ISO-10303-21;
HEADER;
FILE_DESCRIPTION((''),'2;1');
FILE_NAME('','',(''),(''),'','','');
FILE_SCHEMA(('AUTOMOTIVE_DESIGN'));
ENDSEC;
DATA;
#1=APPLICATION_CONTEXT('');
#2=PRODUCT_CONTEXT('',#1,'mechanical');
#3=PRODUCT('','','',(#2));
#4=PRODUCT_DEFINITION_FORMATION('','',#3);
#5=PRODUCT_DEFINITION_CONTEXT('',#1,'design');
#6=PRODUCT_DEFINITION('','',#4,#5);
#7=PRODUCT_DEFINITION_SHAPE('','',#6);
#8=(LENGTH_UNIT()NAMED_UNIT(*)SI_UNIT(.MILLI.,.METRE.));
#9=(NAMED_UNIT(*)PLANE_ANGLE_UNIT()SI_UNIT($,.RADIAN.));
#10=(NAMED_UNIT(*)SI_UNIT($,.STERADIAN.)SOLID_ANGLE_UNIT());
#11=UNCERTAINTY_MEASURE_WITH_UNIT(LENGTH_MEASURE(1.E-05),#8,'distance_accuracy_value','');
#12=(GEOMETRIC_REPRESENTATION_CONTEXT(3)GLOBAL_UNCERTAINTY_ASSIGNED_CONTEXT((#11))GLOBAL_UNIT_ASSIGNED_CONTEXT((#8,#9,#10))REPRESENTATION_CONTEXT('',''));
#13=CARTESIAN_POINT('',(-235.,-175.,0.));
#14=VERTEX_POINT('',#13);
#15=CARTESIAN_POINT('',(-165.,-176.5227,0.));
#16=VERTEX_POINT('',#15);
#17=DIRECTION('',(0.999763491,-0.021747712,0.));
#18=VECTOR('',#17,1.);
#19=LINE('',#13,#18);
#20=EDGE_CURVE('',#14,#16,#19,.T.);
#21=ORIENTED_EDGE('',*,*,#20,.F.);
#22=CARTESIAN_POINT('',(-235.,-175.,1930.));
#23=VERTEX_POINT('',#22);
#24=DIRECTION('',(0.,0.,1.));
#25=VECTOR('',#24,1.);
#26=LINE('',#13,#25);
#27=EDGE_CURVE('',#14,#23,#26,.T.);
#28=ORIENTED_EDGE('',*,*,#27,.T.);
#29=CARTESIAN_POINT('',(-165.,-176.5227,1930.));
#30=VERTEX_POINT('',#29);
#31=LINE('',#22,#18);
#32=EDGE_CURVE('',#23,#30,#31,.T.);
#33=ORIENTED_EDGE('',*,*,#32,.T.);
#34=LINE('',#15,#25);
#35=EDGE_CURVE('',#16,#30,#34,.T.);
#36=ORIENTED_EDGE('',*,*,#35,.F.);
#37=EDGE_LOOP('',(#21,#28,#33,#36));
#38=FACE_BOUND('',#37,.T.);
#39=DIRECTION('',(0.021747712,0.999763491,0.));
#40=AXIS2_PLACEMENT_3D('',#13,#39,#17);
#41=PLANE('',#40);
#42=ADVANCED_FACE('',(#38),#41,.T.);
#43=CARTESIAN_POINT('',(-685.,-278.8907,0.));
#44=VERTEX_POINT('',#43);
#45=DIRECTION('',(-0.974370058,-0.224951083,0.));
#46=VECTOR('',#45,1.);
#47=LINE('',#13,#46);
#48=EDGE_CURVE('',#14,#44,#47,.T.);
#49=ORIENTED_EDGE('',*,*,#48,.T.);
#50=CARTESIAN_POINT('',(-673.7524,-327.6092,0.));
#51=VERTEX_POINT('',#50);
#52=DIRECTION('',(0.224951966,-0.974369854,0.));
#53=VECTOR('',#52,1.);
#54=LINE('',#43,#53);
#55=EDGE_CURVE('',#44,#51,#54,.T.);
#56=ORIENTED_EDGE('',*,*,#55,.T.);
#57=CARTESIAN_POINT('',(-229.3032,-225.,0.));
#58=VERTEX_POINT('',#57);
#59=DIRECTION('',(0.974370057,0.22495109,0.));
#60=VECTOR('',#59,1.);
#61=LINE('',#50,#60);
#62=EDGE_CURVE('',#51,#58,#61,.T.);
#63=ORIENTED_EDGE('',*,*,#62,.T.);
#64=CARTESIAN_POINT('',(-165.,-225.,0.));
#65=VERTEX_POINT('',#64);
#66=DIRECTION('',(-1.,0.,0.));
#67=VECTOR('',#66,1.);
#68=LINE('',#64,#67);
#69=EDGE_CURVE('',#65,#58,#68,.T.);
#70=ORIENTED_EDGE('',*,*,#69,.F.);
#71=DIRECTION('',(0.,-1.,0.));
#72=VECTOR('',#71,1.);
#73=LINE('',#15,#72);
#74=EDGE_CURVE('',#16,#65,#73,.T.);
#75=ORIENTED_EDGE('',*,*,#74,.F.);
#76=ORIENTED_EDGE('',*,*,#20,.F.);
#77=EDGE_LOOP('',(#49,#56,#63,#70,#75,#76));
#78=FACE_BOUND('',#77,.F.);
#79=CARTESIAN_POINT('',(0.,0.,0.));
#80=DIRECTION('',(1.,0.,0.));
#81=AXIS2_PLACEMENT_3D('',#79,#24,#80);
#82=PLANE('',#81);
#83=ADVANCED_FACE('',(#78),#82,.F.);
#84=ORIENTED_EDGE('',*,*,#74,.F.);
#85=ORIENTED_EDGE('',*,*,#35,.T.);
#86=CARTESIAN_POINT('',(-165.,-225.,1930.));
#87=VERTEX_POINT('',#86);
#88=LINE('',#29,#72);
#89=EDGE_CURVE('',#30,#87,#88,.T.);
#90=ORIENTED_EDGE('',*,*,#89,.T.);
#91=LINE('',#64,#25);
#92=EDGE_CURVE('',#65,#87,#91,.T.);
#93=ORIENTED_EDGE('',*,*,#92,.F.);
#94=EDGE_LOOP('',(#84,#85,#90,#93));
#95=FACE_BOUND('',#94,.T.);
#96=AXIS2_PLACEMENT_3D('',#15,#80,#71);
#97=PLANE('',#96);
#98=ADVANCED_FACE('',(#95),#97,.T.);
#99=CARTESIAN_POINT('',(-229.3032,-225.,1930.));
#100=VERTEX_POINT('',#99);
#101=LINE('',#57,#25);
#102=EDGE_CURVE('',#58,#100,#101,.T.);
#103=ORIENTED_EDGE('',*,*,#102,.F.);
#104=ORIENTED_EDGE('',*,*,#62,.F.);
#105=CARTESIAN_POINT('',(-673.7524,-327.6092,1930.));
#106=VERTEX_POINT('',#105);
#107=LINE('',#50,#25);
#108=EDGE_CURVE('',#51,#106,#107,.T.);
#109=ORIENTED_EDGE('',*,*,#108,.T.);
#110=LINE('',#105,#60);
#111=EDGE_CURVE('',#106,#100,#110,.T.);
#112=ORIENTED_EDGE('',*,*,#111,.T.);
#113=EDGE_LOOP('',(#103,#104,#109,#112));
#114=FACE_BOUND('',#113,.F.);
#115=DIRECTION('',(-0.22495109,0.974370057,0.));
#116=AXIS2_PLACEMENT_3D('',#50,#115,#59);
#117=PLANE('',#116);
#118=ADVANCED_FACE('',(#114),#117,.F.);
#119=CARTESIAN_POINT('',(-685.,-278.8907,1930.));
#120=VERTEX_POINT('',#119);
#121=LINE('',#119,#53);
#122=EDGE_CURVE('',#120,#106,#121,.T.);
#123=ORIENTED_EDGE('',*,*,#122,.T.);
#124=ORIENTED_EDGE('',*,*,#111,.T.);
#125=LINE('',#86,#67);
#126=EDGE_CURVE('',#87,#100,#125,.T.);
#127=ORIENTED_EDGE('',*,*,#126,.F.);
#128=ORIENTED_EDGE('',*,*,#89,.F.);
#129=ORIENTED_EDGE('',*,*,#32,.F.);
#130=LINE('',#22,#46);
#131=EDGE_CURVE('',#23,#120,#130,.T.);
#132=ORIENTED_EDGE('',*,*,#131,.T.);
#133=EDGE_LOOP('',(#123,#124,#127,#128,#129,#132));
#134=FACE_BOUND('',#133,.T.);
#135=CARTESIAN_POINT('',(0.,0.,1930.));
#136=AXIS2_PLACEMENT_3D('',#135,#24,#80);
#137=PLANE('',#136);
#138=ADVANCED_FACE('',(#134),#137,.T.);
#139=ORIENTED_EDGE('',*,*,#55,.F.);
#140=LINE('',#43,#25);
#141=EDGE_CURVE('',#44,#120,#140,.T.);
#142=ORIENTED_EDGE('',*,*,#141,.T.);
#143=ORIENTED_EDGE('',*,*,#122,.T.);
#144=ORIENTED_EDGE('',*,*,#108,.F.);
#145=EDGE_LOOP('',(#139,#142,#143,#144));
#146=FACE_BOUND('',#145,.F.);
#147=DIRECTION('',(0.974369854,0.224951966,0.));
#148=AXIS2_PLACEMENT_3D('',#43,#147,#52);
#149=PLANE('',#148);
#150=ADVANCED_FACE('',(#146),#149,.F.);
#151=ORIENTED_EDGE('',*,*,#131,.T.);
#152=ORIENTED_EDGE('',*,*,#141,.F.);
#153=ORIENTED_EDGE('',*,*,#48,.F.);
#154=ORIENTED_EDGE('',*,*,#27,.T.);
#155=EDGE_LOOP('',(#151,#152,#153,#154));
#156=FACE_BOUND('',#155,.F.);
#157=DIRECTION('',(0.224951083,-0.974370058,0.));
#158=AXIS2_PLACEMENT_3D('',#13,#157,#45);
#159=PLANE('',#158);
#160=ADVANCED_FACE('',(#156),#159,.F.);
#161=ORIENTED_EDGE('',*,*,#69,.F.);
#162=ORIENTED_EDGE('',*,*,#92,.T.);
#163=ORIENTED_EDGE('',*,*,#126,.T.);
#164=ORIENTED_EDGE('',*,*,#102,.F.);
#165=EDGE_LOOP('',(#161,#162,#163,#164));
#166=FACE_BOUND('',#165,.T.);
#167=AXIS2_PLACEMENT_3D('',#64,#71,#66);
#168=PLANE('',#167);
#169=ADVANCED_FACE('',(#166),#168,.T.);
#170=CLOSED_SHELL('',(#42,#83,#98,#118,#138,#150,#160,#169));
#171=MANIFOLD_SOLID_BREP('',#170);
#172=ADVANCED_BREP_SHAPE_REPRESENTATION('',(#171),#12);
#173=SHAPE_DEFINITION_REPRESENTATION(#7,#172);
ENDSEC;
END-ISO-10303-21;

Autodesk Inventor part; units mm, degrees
ref_plane "YZ Plane" through (0, 0, 0) normal (1, 0, 0) x (0, 1, 0)
ref_plane "XZ Plane" through (0, 0, 0) normal (0, 1, 0) x (-1, 0, 0)
ref_plane "XY Plane" through (0, 0, 0) normal (0, 0, 1) x (1, 0, 0)
ref_plane "Work Plane1" through (0, 0, 0) normal (0, 0, 1) x (1, 0, 0)
sketch "Sketch1" plane through (0, 0, 0) normal (0, 0, 1) x (1, 0, 0)
  line L0 (-235, -175) -> (-685, -278.8907) projected
  line L1 (-685, -278.8907) -> (-673.7524, -327.6092) projected
  line L2 (-673.7524, -327.6092) -> (-229.3032, -225) projected
  line L3 (-165, -225) -> (-229.3032, -225) projected
  line L4 (-165, -176.5227) -> (-165, -225) projected
  line L5 (165, 54.5458) -> (-165, -176.5227) projected
  line L6 (165, -190) -> (165, 54.5458) projected
  line L7 (235, -190) -> (165, -190) projected
  line L8 (235, 190) -> (235, -190) projected
  line L9 (165, 190) -> (235, 190) projected
  line L10 (165, 140) -> (165, 190) projected
  line L11 (-165, -91.0685) -> (165, 140) projected
  line L12 (-165, 225) -> (-165, -91.0685) projected
  line L13 (-235, 225) -> (-165, 225) projected
  line L14 (-235, -175) -> (-235, 225) projected
  arc A0 (-195, -120) -> (-205, -110) centre (-205, -120) ccw projected
  line L15 (-195, -120) -> (-195, -160) projected
  arc A1 (-205, -170) -> (-195, -160) centre (-205, -160) ccw projected
  line L16 (-205, -170) -> (-215, -170) projected
  arc A2 (-225, -160) -> (-215, -170) centre (-215, -160) ccw projected
  line L17 (-225, -160) -> (-225, -120) projected
  arc A3 (-215, -110) -> (-225, -120) centre (-215, -120) ccw projected
  line L18 (-215, -110) -> (-205, -110) projected
  arc A4 (-195, 140) -> (-205, 150) centre (-205, 140) ccw projected
  line L19 (-195, 140) -> (-195, 100) projected
  arc A5 (-205, 90) -> (-195, 100) centre (-205, 100) ccw projected
  line L20 (-205, 90) -> (-215, 90) projected
  arc A6 (-225, 100) -> (-215, 90) centre (-215, 100) ccw projected
  line L21 (-225, 100) -> (-225, 140) projected
  arc A7 (-215, 150) -> (-225, 140) centre (-215, 140) ccw projected
  line L22 (-215, 150) -> (-205, 150) projected
  arc A8 (-195, 75) -> (-205, 85) centre (-205, 75) ccw projected
  line L23 (-195, 75) -> (-195, 35) projected
  arc A9 (-205, 25) -> (-195, 35) centre (-205, 35) ccw projected
  line L24 (-205, 25) -> (-215, 25) projected
  arc A10 (-225, 35) -> (-215, 25) centre (-215, 35) ccw projected
  line L25 (-225, 35) -> (-225, 75) projected
  arc A11 (-215, 85) -> (-225, 75) centre (-215, 75) ccw projected
  line L26 (-215, 85) -> (-205, 85) projected
  arc A12 (-195, -55) -> (-205, -45) centre (-205, -55) ccw projected
  line L27 (-195, -55) -> (-195, -95) projected
  arc A13 (-205, -105) -> (-195, -95) centre (-205, -95) ccw projected
  line L28 (-205, -105) -> (-215, -105) projected
  arc A14 (-225, -95) -> (-215, -105) centre (-215, -95) ccw projected
  line L29 (-225, -95) -> (-225, -55) projected
  arc A15 (-215, -45) -> (-225, -55) centre (-215, -55) ccw projected
  line L30 (-215, -45) -> (-205, -45) projected
  arc A16 (-195, 205) -> (-205, 215) centre (-205, 205) ccw projected
  line L31 (-195, 205) -> (-195, 165) projected
  arc A17 (-205, 155) -> (-195, 165) centre (-205, 165) ccw projected
  line L32 (-205, 155) -> (-215, 155) projected
  arc A18 (-225, 165) -> (-215, 155) centre (-215, 165) ccw projected
  line L33 (-225, 165) -> (-225, 205) projected
  arc A19 (-215, 215) -> (-225, 205) centre (-215, 205) ccw projected
  line L34 (-215, 215) -> (-205, 215) projected
  arc A20 (-195, 10) -> (-205, 20) centre (-205, 10) ccw projected
  line L35 (-195, 10) -> (-195, -30) projected
  arc A21 (-205, -40) -> (-195, -30) centre (-205, -30) ccw projected
  line L36 (-205, -40) -> (-215, -40) projected
  arc A22 (-225, -30) -> (-215, -40) centre (-215, -30) ccw projected
  line L37 (-225, -30) -> (-225, 10) projected
  arc A23 (-215, 20) -> (-225, 10) centre (-215, 10) ccw projected
  line L38 (-215, 20) -> (-205, 20) projected
  line L39 (-235, -175) -> (-165, -176.5227)
  point P0 (0, 0)
extrude "Extrusion1" add sketch "Sketch1" along normal blind 1930 contours L39 L4 L3 L2 L1 L0
properties part number "backrest"
